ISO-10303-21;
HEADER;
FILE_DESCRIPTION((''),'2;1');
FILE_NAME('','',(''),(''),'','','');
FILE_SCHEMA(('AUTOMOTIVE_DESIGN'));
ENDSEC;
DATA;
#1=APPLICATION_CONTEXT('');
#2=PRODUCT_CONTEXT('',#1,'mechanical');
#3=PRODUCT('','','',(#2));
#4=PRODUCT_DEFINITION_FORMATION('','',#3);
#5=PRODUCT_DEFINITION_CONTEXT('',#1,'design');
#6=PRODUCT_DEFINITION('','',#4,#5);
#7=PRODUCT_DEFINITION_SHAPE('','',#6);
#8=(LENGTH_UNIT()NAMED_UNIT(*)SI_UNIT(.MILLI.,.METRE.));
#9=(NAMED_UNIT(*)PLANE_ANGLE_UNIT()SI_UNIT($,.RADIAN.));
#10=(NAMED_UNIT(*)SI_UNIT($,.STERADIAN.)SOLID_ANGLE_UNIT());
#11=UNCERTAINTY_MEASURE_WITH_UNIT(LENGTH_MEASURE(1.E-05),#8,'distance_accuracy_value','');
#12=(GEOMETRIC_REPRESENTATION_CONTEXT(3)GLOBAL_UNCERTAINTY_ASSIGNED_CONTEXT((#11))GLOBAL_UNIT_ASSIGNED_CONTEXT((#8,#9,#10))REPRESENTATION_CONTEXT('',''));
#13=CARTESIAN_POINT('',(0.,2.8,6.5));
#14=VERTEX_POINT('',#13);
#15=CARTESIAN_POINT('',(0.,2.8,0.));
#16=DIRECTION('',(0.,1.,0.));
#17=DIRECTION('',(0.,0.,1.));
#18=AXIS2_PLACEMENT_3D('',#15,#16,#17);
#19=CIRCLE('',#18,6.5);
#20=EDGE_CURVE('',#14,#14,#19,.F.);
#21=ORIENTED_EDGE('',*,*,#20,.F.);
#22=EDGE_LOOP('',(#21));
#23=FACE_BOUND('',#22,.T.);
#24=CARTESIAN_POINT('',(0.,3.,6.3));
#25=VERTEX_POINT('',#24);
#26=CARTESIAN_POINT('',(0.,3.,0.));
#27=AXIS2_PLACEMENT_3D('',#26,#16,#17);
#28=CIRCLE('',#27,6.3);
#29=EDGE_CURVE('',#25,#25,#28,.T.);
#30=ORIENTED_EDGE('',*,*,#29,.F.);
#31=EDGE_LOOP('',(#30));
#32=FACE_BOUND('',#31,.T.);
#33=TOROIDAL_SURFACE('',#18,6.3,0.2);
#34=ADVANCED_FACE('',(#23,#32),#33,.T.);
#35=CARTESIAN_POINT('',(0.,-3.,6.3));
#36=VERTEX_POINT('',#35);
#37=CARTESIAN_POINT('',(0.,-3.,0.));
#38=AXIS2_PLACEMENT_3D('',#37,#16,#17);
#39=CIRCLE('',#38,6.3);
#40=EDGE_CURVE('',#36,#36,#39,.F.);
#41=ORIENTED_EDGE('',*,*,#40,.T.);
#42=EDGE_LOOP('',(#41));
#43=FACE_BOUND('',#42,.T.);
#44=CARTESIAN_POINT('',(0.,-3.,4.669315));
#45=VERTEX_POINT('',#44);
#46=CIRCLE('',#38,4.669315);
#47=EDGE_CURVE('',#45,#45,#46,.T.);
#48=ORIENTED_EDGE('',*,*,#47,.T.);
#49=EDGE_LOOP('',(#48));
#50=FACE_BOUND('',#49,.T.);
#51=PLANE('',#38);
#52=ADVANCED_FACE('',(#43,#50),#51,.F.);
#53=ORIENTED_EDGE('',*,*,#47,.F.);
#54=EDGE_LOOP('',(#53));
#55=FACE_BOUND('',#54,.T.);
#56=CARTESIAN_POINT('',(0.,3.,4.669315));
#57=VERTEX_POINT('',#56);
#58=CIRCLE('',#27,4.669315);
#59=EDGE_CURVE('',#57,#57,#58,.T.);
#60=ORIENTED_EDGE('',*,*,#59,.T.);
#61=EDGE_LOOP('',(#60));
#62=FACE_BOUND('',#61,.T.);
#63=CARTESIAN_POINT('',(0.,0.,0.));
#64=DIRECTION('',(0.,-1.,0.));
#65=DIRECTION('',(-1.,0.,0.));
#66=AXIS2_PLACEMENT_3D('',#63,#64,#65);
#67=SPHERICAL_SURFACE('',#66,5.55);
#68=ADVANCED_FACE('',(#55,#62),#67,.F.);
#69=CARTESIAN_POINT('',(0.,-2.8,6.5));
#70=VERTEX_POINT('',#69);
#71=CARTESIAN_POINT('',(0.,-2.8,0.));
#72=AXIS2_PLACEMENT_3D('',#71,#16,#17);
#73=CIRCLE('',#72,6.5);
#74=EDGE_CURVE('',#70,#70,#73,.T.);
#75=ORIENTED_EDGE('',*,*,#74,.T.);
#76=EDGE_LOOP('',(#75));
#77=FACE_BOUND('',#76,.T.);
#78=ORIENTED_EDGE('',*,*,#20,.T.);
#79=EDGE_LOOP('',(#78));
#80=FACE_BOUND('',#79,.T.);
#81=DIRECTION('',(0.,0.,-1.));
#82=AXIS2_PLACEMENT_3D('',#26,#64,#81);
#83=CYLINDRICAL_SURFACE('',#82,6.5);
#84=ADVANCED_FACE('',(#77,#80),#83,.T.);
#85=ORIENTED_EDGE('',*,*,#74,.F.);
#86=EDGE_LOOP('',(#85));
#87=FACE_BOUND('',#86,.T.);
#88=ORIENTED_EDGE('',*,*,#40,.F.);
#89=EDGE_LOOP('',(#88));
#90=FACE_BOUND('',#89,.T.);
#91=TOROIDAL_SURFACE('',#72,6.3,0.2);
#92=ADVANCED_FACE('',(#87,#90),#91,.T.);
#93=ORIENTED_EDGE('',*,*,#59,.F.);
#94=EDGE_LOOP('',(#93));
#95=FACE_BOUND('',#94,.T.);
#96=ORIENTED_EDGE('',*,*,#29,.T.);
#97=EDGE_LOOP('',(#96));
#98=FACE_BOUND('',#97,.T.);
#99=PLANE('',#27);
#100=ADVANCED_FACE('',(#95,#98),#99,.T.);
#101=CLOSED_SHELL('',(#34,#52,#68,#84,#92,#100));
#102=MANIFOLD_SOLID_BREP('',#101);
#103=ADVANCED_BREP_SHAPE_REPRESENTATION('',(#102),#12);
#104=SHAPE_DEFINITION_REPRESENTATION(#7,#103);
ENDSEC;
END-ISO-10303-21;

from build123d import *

# Parameters (mm, degrees)
SZKIC1_R                    = 6.5
DODANIE_WYCI_GNI_CIE1_DEPTH = 3
ZAOKR_GLENIE1_R             = 0.2


with BuildPart() as part:
    # Szkic1 → Dodanie-wyciągnięcie1 (new body, symmetric)
    with BuildSketch(Plane(origin=(0, 0, 0), x_dir=(1, 0, 0), z_dir=(0, 1, 0))):
        Circle(SZKIC1_R)
    extrude(amount=DODANIE_WYCI_GNI_CIE1_DEPTH, both=True)

    # Szkic3 → Wycięcie-obrót1 (revolve, cut)
    with BuildSketch(Plane.XY):
        with BuildLine():
            Line((0, -5.55), (0, 5.55))
            ThreePointArc((0, 5.55), (5.55, 0), (0, -5.55))
        make_face()
    revolve(axis=Axis((0, -5.55, 0), (0, 1, 0)), mode=Mode.SUBTRACT)

    # Zaokrąglenie1
    zaokr_glenie1_edges = [part.edges().sort_by_distance(p)[0] for p in [
        (-6.5, -3, 0),
        (-6.5, 3, 0),
    ]]
    fillet(zaokr_glenie1_edges, radius=ZAOKR_GLENIE1_R)


solid = part.part
